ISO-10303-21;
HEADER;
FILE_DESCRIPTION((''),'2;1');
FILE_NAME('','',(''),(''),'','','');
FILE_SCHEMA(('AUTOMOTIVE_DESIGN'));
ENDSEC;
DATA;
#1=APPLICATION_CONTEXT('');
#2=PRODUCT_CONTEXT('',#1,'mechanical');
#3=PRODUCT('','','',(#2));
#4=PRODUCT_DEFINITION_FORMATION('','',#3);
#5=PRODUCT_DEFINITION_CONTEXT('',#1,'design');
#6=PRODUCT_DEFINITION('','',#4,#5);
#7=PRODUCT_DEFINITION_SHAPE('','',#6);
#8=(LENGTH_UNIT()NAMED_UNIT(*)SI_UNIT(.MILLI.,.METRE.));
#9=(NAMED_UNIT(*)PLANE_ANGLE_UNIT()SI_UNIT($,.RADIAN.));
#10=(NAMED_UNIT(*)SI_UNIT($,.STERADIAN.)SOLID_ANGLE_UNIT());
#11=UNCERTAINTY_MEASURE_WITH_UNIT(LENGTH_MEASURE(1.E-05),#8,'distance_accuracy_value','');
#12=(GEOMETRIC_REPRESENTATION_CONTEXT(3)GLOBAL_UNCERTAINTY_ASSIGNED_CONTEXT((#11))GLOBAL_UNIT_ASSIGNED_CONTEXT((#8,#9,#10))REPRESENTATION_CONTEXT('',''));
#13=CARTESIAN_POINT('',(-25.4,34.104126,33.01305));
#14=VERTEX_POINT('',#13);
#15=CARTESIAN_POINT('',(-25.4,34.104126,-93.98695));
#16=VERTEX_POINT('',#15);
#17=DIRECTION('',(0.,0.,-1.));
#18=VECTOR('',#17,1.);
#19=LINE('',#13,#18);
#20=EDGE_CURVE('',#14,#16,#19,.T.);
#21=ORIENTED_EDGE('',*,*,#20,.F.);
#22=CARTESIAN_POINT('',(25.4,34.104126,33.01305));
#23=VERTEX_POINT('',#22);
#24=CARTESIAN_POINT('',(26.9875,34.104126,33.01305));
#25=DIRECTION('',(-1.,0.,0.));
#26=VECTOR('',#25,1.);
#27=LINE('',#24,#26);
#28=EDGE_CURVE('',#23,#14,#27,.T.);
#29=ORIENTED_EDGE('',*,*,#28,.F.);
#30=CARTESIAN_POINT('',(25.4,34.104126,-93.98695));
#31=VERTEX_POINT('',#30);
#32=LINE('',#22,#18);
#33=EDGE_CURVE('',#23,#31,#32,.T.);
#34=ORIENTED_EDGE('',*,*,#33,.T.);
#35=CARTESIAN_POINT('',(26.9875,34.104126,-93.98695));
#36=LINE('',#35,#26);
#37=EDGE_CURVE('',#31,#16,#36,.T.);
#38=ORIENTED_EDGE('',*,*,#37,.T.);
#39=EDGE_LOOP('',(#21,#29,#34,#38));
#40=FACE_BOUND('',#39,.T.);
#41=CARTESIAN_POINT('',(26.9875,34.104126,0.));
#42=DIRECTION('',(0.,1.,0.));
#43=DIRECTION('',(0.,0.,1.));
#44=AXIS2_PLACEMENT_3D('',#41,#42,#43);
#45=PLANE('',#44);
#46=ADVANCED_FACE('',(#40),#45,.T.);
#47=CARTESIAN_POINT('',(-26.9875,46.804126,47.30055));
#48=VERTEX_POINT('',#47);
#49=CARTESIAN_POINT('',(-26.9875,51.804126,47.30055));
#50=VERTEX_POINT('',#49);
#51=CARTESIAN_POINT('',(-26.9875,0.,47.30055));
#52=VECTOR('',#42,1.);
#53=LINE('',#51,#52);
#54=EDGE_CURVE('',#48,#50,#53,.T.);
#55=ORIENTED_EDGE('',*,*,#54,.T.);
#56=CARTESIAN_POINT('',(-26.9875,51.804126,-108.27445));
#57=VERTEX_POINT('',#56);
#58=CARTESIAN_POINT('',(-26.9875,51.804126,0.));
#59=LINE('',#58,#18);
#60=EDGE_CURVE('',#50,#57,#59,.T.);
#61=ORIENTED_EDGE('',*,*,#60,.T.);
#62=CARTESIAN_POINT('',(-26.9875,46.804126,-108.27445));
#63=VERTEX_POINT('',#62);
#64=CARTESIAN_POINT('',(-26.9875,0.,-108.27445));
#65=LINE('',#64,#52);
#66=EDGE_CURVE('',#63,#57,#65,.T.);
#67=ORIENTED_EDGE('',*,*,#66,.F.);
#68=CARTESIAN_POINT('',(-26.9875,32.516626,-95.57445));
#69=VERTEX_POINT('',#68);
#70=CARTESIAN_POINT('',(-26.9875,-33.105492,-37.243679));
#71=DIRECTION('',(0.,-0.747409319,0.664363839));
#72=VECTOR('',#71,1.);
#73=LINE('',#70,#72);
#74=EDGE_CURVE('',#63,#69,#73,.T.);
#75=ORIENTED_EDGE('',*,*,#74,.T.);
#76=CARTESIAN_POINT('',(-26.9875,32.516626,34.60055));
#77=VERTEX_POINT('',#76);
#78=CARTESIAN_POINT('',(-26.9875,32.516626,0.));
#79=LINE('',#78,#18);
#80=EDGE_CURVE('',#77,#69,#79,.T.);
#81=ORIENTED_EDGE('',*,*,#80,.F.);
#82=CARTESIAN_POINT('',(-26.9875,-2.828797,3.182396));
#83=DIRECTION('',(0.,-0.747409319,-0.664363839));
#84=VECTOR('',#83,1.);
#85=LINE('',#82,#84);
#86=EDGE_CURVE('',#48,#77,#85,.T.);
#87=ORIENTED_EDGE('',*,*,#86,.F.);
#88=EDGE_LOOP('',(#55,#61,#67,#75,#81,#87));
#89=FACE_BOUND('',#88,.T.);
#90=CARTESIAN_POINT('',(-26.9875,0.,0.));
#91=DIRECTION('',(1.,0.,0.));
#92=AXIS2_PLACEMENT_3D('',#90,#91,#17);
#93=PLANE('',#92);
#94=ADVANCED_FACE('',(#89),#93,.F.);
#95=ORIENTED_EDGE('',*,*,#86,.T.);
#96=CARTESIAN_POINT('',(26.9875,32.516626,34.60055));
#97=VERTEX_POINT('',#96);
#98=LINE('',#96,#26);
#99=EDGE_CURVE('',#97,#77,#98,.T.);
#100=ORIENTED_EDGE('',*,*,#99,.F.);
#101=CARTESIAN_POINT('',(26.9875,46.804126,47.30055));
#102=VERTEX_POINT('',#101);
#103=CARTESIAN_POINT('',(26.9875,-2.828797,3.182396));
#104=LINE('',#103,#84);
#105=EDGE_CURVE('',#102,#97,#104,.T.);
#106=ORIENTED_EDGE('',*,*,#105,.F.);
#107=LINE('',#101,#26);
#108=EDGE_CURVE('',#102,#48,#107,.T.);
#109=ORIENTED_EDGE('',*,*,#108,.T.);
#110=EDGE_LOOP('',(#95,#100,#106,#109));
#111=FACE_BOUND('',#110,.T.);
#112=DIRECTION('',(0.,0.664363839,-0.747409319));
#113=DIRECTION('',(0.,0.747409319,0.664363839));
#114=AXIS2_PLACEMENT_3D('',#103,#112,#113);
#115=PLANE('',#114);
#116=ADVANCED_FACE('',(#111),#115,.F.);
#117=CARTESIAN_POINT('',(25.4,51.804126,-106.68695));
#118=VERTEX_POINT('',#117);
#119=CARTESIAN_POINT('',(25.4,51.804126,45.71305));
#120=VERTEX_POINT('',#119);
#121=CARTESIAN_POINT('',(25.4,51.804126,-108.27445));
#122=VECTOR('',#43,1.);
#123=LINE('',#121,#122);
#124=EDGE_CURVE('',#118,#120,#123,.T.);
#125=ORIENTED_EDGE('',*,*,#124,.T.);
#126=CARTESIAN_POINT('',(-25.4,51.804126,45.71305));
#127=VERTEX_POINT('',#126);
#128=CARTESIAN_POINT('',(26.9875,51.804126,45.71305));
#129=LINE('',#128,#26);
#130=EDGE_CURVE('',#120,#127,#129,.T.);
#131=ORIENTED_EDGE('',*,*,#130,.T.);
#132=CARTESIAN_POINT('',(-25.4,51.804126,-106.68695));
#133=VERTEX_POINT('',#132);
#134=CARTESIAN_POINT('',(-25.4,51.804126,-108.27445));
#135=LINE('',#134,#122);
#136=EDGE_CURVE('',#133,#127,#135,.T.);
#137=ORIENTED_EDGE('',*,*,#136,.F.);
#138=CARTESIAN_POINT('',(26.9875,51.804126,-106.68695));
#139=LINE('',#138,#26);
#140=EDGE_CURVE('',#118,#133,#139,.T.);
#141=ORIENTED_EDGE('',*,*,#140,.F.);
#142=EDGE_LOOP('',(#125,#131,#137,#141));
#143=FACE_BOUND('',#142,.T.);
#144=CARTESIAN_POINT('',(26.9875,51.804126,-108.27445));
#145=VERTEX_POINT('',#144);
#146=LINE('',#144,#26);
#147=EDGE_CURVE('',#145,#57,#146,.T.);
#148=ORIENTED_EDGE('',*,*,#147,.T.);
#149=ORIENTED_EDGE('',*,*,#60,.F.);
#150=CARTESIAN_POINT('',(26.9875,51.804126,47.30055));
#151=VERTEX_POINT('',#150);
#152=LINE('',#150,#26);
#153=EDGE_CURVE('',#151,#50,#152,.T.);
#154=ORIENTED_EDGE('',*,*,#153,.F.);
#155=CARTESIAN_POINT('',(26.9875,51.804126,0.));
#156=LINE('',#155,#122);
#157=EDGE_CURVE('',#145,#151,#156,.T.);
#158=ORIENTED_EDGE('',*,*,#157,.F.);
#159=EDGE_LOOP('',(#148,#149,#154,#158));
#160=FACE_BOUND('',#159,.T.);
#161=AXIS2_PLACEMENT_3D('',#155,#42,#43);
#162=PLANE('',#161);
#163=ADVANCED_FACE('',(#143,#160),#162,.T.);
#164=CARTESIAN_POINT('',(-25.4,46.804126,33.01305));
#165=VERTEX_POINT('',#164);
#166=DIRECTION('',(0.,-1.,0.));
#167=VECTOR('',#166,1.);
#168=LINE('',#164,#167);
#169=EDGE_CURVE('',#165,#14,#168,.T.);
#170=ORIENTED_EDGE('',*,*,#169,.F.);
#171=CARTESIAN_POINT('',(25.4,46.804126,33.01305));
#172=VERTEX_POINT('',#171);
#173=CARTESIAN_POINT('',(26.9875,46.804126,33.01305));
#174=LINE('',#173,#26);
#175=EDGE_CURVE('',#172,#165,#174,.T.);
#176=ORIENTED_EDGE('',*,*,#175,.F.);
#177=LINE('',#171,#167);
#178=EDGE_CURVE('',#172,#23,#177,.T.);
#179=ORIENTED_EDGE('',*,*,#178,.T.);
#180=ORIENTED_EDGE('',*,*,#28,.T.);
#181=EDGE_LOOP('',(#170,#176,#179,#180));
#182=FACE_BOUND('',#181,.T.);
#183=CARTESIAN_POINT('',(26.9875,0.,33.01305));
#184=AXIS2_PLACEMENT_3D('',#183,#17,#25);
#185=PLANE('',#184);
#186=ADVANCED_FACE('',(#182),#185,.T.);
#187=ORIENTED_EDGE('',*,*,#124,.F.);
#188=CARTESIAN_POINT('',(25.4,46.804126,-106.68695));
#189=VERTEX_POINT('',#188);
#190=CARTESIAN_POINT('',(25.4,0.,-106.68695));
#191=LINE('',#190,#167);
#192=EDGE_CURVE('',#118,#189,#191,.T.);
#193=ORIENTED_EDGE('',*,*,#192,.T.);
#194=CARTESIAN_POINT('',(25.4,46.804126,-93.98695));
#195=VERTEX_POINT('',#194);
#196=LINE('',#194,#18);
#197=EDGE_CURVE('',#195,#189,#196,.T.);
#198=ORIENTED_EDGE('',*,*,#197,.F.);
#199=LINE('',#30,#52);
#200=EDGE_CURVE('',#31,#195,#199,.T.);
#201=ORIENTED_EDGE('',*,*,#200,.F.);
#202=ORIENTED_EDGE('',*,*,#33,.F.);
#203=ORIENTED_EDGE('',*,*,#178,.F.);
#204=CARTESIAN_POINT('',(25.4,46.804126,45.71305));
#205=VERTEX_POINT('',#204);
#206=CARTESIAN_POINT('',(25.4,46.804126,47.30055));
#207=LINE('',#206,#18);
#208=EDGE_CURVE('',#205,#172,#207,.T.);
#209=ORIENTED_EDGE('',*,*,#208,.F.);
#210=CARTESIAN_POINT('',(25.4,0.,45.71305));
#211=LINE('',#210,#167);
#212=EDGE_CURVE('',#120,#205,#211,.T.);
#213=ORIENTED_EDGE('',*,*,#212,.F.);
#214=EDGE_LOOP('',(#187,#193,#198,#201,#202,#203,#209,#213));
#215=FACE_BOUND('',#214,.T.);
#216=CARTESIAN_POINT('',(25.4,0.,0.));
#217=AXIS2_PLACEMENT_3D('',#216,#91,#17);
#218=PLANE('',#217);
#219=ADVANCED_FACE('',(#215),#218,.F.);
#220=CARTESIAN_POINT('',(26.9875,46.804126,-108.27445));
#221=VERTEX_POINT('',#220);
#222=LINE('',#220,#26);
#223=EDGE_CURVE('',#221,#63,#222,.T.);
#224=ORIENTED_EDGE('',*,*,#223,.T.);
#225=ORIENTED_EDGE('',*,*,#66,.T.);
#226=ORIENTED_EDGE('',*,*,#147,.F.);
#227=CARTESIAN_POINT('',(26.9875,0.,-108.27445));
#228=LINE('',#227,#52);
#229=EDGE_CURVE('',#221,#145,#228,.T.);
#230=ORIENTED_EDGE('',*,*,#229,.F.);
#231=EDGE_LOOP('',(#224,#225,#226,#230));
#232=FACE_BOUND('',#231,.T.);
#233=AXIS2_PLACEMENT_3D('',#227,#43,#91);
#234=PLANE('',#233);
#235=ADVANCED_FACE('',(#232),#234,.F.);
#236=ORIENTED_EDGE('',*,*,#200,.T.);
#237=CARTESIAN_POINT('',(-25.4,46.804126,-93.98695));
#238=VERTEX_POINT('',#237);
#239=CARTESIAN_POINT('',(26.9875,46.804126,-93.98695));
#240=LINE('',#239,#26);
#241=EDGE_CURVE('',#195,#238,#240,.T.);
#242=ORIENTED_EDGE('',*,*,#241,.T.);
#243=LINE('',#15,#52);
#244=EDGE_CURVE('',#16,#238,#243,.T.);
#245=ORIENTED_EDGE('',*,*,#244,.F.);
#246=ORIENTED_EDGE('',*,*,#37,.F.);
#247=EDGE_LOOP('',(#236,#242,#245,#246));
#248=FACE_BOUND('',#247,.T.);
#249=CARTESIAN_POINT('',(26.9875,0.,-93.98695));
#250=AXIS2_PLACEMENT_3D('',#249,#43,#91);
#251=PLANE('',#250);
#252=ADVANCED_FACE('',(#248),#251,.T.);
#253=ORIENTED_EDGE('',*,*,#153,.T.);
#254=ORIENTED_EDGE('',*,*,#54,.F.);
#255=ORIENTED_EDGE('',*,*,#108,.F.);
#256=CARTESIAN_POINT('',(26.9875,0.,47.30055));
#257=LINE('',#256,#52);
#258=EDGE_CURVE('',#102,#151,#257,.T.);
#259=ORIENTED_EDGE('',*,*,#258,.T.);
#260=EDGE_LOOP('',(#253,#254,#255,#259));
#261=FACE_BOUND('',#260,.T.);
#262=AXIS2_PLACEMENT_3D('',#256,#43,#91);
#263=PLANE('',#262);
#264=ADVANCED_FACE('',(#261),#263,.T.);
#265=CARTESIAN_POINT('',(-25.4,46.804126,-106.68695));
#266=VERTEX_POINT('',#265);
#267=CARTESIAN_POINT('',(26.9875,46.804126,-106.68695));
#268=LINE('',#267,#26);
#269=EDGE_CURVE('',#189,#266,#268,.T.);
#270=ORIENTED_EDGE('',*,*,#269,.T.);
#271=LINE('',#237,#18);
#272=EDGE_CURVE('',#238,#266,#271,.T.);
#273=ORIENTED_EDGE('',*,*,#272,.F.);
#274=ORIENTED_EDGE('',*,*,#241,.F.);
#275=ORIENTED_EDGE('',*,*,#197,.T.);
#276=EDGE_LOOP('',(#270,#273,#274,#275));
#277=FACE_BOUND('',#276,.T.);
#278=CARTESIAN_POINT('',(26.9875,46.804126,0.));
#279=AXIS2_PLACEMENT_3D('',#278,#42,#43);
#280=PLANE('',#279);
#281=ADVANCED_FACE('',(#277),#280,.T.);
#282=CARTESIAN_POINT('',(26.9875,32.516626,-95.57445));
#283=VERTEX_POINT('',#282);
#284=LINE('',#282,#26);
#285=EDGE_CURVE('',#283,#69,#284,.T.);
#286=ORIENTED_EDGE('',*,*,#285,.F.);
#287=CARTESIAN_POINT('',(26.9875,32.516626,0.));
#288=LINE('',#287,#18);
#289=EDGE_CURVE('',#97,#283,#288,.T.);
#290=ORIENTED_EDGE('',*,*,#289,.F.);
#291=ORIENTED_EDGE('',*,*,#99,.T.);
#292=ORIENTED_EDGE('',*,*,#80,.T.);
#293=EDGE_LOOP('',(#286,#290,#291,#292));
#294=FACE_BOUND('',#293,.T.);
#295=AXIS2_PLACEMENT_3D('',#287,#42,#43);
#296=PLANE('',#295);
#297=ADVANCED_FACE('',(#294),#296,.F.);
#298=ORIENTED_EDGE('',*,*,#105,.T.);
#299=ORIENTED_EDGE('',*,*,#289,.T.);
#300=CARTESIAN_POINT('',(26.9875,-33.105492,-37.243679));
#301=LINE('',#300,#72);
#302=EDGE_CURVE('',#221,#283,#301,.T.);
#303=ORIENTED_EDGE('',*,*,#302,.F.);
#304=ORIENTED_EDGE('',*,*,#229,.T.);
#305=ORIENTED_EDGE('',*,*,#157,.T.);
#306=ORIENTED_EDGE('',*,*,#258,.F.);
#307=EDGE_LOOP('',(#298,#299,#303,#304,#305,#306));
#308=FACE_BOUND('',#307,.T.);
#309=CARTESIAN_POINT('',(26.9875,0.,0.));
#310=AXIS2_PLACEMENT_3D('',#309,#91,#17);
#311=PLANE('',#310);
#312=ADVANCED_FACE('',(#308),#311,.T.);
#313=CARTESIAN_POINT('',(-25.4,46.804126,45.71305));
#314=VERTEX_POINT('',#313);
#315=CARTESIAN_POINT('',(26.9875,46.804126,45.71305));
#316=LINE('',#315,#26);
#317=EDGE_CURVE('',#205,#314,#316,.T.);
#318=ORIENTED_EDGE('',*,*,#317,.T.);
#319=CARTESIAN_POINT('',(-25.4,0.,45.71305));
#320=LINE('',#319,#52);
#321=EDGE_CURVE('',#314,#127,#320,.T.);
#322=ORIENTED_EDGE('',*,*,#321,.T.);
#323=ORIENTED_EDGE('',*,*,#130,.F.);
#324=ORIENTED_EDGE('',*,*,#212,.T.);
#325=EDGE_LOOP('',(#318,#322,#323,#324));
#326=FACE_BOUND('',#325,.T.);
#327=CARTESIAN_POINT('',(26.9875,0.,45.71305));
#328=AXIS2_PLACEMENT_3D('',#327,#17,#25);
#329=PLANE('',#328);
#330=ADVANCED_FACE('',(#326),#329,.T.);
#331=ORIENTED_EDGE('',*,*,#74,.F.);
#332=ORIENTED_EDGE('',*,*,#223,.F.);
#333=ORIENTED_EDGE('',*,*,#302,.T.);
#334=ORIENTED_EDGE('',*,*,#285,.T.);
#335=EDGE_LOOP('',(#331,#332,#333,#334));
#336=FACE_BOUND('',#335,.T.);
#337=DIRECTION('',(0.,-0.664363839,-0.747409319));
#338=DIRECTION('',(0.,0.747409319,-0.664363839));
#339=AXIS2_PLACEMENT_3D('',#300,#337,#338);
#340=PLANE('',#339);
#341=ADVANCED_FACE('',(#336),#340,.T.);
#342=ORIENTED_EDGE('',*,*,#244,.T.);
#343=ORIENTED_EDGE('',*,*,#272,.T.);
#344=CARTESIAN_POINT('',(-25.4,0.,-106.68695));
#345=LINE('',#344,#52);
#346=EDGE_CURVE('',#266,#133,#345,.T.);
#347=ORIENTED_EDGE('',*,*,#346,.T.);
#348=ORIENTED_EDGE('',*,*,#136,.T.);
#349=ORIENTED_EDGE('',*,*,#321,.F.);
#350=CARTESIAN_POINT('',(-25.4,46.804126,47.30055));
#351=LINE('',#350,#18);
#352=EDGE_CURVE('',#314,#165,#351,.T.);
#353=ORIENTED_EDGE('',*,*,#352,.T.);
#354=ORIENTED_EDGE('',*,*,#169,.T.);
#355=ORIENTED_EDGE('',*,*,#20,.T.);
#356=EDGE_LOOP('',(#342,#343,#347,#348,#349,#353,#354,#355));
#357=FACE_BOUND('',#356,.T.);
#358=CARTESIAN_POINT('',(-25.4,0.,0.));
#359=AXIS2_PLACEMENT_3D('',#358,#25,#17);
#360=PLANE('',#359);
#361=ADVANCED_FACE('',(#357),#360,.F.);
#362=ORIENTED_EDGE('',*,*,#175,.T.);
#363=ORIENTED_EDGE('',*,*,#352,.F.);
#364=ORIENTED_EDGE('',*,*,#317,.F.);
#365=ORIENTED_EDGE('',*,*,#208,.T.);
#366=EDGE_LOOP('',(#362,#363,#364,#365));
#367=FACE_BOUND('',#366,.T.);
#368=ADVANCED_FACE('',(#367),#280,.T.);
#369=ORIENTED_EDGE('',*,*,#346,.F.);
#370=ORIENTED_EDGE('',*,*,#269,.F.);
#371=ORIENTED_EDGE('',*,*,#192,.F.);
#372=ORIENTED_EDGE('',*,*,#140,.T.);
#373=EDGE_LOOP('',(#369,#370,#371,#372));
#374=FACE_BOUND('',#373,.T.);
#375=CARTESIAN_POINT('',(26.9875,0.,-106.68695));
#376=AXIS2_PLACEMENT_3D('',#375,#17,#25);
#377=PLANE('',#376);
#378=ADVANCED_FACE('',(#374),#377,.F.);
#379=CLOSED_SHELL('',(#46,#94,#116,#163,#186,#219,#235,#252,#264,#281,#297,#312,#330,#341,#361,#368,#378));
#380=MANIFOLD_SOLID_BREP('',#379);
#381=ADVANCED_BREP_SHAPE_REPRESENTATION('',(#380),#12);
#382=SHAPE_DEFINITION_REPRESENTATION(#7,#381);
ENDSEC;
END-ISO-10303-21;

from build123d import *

# Parameters (mm, degrees)
BOSS_EXTRUDE1_DEPTH = 26.9875
BOSS_EXTRUDE2_DEPTH = 1.5875


with BuildPart() as part:
    # Sketch3 → Boss-Extrude1 (new, symmetric)
    with BuildSketch(Plane(origin=(0, 0, 0), x_dir=(0, 0, -1), z_dir=(1, 0, 0))):
        Polygon((95.5744504, 32.516625584), (108.2744504, 46.804125584), (108.2744504, 51.804125584), (106.6869504, 51.804125584), (106.6869504, 46.804125584), (93.9869504, 46.804125584), (93.9869504, 34.104125584), (-33.0130496, 34.104125584), (-33.0130496, 46.804125584), (-45.7130496, 46.804125584), (-45.7130496, 51.804125584), (-47.3005496, 51.804125584), (-47.3005496, 46.804125584), (-34.6005496, 32.516625584), align=None)
    extrude(amount=BOSS_EXTRUDE1_DEPTH, both=True)

    # Sketch4 → Boss-Extrude2 (add)
    with BuildSketch(Plane(origin=(26.9875, 0, 0), x_dir=(0, 0, -1), z_dir=(1, 0, 0))):
        Polygon((-33.0130496, 46.804125584), (-33.0130496, 34.104125584), (93.9869504, 34.104125584), (93.9869504, 46.804125584), (108.2744504, 46.804125584), (108.2744504, 51.804125584), (-47.3005496, 51.804125584), (-47.3005496, 46.804125584), align=None)
    boss_extrude2 = extrude(amount=-BOSS_EXTRUDE2_DEPTH)

    # Mirror1: Boss-Extrude2 across plane
    add(boss_extrude2.mirror(Plane(origin=(0, 0, 0), x_dir=(0, 0, 1), z_dir=(1, 0, 0))))


solid = part.part
